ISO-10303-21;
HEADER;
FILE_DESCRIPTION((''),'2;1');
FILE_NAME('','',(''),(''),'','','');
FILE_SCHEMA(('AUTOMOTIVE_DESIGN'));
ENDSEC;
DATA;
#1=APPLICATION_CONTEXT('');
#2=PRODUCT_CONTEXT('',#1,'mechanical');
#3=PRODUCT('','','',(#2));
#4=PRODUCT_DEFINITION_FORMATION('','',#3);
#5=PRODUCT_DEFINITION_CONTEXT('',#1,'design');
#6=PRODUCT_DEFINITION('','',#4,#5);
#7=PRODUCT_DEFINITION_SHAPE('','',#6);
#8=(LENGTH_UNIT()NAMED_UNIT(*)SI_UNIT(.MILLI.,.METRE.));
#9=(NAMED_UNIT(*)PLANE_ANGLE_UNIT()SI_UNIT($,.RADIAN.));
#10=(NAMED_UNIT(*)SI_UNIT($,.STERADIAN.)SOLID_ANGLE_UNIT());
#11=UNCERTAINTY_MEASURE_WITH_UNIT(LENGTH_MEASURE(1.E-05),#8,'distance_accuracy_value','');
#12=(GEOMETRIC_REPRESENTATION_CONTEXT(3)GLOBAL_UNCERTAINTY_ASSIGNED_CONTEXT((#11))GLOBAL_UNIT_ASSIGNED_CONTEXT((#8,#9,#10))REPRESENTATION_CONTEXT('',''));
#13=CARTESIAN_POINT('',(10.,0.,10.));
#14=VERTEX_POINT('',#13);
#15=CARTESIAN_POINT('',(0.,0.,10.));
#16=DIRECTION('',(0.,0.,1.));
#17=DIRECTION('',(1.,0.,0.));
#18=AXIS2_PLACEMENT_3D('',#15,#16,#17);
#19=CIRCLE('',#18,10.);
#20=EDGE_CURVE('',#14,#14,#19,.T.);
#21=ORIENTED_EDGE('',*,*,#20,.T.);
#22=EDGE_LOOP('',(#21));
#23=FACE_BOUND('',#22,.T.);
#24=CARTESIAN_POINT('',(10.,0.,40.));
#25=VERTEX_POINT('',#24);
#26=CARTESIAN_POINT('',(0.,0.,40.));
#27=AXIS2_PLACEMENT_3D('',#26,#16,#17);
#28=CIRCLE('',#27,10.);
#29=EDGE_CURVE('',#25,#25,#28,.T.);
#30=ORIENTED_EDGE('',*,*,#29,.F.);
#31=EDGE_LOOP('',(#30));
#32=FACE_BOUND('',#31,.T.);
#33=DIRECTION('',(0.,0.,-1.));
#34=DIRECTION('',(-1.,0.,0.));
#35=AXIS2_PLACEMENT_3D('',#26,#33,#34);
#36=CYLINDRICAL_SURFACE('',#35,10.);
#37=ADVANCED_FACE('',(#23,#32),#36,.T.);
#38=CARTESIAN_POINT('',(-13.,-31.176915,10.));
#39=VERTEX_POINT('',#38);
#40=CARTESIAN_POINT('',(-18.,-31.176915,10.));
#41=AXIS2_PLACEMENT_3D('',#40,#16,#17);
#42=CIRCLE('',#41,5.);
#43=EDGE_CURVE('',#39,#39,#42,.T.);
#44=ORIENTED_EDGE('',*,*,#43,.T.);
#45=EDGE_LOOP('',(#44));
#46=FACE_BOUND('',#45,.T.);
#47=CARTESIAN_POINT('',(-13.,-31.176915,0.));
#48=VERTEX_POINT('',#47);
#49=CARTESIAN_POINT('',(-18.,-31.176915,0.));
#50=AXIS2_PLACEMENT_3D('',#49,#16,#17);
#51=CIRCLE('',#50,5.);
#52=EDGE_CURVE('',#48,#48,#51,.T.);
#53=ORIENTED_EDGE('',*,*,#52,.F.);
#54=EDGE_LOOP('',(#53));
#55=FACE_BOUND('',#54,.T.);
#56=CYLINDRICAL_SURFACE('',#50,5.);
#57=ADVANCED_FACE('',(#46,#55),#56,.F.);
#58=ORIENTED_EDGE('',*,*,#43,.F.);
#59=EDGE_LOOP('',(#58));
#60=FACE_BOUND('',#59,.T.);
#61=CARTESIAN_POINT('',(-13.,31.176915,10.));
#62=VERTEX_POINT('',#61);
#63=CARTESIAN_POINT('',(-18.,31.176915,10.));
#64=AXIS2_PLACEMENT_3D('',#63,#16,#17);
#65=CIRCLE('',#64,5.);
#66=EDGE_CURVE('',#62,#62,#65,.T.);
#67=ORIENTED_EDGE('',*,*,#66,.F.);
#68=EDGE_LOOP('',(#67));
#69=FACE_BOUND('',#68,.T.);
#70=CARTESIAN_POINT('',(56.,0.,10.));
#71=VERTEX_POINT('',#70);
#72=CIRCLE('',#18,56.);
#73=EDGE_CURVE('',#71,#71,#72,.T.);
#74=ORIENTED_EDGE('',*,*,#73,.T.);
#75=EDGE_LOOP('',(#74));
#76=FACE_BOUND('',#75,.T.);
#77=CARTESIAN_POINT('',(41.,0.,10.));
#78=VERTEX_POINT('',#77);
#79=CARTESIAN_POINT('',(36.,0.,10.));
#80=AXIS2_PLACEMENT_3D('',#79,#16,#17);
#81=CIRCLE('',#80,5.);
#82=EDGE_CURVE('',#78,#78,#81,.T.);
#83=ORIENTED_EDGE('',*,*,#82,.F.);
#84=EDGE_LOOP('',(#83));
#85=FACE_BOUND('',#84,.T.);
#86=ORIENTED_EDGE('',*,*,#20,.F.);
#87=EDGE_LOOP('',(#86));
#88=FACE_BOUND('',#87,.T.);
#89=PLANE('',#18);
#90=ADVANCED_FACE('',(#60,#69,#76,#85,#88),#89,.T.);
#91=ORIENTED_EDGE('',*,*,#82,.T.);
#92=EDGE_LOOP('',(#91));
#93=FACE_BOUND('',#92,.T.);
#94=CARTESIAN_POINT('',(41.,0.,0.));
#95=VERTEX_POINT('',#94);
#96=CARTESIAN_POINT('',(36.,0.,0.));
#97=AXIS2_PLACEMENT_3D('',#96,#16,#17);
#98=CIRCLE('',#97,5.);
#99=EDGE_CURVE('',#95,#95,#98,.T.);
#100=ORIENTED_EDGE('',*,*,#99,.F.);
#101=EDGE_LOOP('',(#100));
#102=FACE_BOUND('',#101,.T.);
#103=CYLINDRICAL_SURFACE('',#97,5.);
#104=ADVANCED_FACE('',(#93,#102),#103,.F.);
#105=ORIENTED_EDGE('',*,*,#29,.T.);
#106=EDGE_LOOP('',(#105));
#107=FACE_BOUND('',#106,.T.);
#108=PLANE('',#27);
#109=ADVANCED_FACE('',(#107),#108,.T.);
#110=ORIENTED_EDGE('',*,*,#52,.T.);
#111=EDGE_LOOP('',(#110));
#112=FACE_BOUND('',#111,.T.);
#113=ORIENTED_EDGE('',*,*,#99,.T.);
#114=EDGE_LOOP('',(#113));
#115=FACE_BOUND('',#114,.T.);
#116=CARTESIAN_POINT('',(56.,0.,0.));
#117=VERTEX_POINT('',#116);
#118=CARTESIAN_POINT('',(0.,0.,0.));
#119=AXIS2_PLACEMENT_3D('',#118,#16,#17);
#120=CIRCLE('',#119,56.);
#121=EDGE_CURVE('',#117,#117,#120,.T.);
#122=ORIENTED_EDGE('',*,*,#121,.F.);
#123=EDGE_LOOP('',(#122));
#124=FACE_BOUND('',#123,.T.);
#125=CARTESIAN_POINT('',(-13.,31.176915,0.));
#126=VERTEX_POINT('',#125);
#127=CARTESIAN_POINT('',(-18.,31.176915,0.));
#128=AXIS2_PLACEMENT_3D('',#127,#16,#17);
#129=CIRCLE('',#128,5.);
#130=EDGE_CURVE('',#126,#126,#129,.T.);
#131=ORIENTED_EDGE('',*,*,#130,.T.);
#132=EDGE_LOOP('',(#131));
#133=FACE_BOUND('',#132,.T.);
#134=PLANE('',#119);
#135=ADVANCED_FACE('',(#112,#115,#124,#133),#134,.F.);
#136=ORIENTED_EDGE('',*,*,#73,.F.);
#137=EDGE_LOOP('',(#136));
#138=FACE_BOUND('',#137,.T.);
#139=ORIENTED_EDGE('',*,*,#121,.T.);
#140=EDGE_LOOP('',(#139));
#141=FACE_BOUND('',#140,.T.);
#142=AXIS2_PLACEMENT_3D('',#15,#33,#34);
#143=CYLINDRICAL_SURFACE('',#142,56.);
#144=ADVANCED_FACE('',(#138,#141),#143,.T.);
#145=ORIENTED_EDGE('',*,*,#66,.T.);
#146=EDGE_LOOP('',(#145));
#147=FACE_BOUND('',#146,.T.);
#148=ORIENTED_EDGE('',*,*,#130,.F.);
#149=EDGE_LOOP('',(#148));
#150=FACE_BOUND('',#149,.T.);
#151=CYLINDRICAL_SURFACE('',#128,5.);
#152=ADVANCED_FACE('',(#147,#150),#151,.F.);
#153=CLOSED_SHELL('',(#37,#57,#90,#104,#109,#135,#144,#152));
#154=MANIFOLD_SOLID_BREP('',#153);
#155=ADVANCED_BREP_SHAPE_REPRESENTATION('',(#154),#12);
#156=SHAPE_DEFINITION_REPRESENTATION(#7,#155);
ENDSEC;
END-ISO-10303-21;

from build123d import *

# Parameters (mm, degrees)
SKETCH1_R           = 56
BOSS_EXTRUDE1_DEPTH = 10
SKETCH2_R           = 10
BOSS_EXTRUDE2_DEPTH = 30
SKETCH3_R           = 5
CUT_EXTRUDE1_DEPTH  = 10


with BuildPart() as part:
    # Sketch1 → Boss-Extrude1 (new body)
    with BuildSketch(Plane.XY):
        Circle(SKETCH1_R)
    extrude(amount=BOSS_EXTRUDE1_DEPTH)

    # Sketch2 → Boss-Extrude2 (add)
    with BuildSketch(Plane.XY.offset(10)):
        Circle(SKETCH2_R)
    extrude(amount=BOSS_EXTRUDE2_DEPTH)

    # Sketch3 → Cut-Extrude1 (cut)
    with BuildSketch(Plane.XY.offset(10)):
        with Locations((36, 0)):
            Circle(SKETCH3_R)
        with Locations((-18, 31.176914536)):
            Circle(SKETCH3_R)
        with Locations((-18, -31.176914536)):
            Circle(SKETCH3_R)
    extrude(amount=-CUT_EXTRUDE1_DEPTH, mode=Mode.SUBTRACT)


solid = part.part
